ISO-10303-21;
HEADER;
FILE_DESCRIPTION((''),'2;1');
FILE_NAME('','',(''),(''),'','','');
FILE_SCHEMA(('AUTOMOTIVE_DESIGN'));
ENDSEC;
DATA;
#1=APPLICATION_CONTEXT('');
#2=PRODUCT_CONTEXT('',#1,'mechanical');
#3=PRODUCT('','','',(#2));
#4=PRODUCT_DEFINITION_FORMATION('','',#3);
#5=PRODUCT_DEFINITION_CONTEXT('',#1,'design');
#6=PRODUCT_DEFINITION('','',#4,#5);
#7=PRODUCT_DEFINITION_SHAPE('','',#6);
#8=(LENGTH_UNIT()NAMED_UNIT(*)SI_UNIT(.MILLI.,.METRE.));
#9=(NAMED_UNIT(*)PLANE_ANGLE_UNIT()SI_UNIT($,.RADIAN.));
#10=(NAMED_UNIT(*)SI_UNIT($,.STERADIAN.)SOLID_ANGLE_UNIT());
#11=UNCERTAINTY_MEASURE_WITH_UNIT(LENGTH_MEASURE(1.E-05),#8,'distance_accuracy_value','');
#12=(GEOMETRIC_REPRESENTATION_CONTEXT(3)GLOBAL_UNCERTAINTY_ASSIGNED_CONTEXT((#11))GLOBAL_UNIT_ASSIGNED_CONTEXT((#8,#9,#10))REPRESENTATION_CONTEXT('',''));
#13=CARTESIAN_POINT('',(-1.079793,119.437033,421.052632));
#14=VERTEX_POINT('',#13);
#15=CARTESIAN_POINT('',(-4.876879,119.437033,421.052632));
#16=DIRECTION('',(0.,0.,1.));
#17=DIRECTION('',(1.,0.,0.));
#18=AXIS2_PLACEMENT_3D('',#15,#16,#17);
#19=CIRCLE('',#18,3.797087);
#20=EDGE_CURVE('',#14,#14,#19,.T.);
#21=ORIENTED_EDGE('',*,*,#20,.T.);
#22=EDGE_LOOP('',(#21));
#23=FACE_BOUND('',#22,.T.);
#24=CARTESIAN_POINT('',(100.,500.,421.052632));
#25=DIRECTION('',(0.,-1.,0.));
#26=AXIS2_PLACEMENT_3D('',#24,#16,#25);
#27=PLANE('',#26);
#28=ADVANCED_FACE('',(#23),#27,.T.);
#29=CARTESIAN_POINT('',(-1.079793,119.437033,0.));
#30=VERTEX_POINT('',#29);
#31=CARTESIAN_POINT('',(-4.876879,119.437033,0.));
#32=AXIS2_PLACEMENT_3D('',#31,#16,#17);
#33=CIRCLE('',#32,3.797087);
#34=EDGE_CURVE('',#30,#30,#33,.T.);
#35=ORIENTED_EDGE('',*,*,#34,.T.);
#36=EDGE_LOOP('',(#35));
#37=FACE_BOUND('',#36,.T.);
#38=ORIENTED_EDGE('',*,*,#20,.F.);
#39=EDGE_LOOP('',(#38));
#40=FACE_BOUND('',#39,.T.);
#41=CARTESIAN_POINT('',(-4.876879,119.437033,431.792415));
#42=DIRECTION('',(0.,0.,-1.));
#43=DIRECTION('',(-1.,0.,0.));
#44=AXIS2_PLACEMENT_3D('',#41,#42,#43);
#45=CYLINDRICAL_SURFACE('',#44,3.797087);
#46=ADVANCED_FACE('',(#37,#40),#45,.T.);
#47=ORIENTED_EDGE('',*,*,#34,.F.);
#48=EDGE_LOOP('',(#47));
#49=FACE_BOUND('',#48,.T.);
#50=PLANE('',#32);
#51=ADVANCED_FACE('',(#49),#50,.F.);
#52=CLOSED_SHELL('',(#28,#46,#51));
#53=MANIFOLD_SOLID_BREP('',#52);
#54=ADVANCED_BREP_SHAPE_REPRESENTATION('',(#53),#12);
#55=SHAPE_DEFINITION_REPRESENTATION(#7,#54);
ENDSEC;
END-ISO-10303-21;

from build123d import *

# Parameters (mm, degrees)
SKETCH1_R           = 3.7970867
BOSS_EXTRUDE1_DEPTH = 421.052632


with BuildPart() as part:
    # Sketch1 → Boss-Extrude1 (new body)
    with BuildSketch(Plane.XY):
        with Locations((-4.876879261, 119.437033127)):
            Circle(SKETCH1_R)
    extrude(amount=BOSS_EXTRUDE1_DEPTH)


solid = part.part
